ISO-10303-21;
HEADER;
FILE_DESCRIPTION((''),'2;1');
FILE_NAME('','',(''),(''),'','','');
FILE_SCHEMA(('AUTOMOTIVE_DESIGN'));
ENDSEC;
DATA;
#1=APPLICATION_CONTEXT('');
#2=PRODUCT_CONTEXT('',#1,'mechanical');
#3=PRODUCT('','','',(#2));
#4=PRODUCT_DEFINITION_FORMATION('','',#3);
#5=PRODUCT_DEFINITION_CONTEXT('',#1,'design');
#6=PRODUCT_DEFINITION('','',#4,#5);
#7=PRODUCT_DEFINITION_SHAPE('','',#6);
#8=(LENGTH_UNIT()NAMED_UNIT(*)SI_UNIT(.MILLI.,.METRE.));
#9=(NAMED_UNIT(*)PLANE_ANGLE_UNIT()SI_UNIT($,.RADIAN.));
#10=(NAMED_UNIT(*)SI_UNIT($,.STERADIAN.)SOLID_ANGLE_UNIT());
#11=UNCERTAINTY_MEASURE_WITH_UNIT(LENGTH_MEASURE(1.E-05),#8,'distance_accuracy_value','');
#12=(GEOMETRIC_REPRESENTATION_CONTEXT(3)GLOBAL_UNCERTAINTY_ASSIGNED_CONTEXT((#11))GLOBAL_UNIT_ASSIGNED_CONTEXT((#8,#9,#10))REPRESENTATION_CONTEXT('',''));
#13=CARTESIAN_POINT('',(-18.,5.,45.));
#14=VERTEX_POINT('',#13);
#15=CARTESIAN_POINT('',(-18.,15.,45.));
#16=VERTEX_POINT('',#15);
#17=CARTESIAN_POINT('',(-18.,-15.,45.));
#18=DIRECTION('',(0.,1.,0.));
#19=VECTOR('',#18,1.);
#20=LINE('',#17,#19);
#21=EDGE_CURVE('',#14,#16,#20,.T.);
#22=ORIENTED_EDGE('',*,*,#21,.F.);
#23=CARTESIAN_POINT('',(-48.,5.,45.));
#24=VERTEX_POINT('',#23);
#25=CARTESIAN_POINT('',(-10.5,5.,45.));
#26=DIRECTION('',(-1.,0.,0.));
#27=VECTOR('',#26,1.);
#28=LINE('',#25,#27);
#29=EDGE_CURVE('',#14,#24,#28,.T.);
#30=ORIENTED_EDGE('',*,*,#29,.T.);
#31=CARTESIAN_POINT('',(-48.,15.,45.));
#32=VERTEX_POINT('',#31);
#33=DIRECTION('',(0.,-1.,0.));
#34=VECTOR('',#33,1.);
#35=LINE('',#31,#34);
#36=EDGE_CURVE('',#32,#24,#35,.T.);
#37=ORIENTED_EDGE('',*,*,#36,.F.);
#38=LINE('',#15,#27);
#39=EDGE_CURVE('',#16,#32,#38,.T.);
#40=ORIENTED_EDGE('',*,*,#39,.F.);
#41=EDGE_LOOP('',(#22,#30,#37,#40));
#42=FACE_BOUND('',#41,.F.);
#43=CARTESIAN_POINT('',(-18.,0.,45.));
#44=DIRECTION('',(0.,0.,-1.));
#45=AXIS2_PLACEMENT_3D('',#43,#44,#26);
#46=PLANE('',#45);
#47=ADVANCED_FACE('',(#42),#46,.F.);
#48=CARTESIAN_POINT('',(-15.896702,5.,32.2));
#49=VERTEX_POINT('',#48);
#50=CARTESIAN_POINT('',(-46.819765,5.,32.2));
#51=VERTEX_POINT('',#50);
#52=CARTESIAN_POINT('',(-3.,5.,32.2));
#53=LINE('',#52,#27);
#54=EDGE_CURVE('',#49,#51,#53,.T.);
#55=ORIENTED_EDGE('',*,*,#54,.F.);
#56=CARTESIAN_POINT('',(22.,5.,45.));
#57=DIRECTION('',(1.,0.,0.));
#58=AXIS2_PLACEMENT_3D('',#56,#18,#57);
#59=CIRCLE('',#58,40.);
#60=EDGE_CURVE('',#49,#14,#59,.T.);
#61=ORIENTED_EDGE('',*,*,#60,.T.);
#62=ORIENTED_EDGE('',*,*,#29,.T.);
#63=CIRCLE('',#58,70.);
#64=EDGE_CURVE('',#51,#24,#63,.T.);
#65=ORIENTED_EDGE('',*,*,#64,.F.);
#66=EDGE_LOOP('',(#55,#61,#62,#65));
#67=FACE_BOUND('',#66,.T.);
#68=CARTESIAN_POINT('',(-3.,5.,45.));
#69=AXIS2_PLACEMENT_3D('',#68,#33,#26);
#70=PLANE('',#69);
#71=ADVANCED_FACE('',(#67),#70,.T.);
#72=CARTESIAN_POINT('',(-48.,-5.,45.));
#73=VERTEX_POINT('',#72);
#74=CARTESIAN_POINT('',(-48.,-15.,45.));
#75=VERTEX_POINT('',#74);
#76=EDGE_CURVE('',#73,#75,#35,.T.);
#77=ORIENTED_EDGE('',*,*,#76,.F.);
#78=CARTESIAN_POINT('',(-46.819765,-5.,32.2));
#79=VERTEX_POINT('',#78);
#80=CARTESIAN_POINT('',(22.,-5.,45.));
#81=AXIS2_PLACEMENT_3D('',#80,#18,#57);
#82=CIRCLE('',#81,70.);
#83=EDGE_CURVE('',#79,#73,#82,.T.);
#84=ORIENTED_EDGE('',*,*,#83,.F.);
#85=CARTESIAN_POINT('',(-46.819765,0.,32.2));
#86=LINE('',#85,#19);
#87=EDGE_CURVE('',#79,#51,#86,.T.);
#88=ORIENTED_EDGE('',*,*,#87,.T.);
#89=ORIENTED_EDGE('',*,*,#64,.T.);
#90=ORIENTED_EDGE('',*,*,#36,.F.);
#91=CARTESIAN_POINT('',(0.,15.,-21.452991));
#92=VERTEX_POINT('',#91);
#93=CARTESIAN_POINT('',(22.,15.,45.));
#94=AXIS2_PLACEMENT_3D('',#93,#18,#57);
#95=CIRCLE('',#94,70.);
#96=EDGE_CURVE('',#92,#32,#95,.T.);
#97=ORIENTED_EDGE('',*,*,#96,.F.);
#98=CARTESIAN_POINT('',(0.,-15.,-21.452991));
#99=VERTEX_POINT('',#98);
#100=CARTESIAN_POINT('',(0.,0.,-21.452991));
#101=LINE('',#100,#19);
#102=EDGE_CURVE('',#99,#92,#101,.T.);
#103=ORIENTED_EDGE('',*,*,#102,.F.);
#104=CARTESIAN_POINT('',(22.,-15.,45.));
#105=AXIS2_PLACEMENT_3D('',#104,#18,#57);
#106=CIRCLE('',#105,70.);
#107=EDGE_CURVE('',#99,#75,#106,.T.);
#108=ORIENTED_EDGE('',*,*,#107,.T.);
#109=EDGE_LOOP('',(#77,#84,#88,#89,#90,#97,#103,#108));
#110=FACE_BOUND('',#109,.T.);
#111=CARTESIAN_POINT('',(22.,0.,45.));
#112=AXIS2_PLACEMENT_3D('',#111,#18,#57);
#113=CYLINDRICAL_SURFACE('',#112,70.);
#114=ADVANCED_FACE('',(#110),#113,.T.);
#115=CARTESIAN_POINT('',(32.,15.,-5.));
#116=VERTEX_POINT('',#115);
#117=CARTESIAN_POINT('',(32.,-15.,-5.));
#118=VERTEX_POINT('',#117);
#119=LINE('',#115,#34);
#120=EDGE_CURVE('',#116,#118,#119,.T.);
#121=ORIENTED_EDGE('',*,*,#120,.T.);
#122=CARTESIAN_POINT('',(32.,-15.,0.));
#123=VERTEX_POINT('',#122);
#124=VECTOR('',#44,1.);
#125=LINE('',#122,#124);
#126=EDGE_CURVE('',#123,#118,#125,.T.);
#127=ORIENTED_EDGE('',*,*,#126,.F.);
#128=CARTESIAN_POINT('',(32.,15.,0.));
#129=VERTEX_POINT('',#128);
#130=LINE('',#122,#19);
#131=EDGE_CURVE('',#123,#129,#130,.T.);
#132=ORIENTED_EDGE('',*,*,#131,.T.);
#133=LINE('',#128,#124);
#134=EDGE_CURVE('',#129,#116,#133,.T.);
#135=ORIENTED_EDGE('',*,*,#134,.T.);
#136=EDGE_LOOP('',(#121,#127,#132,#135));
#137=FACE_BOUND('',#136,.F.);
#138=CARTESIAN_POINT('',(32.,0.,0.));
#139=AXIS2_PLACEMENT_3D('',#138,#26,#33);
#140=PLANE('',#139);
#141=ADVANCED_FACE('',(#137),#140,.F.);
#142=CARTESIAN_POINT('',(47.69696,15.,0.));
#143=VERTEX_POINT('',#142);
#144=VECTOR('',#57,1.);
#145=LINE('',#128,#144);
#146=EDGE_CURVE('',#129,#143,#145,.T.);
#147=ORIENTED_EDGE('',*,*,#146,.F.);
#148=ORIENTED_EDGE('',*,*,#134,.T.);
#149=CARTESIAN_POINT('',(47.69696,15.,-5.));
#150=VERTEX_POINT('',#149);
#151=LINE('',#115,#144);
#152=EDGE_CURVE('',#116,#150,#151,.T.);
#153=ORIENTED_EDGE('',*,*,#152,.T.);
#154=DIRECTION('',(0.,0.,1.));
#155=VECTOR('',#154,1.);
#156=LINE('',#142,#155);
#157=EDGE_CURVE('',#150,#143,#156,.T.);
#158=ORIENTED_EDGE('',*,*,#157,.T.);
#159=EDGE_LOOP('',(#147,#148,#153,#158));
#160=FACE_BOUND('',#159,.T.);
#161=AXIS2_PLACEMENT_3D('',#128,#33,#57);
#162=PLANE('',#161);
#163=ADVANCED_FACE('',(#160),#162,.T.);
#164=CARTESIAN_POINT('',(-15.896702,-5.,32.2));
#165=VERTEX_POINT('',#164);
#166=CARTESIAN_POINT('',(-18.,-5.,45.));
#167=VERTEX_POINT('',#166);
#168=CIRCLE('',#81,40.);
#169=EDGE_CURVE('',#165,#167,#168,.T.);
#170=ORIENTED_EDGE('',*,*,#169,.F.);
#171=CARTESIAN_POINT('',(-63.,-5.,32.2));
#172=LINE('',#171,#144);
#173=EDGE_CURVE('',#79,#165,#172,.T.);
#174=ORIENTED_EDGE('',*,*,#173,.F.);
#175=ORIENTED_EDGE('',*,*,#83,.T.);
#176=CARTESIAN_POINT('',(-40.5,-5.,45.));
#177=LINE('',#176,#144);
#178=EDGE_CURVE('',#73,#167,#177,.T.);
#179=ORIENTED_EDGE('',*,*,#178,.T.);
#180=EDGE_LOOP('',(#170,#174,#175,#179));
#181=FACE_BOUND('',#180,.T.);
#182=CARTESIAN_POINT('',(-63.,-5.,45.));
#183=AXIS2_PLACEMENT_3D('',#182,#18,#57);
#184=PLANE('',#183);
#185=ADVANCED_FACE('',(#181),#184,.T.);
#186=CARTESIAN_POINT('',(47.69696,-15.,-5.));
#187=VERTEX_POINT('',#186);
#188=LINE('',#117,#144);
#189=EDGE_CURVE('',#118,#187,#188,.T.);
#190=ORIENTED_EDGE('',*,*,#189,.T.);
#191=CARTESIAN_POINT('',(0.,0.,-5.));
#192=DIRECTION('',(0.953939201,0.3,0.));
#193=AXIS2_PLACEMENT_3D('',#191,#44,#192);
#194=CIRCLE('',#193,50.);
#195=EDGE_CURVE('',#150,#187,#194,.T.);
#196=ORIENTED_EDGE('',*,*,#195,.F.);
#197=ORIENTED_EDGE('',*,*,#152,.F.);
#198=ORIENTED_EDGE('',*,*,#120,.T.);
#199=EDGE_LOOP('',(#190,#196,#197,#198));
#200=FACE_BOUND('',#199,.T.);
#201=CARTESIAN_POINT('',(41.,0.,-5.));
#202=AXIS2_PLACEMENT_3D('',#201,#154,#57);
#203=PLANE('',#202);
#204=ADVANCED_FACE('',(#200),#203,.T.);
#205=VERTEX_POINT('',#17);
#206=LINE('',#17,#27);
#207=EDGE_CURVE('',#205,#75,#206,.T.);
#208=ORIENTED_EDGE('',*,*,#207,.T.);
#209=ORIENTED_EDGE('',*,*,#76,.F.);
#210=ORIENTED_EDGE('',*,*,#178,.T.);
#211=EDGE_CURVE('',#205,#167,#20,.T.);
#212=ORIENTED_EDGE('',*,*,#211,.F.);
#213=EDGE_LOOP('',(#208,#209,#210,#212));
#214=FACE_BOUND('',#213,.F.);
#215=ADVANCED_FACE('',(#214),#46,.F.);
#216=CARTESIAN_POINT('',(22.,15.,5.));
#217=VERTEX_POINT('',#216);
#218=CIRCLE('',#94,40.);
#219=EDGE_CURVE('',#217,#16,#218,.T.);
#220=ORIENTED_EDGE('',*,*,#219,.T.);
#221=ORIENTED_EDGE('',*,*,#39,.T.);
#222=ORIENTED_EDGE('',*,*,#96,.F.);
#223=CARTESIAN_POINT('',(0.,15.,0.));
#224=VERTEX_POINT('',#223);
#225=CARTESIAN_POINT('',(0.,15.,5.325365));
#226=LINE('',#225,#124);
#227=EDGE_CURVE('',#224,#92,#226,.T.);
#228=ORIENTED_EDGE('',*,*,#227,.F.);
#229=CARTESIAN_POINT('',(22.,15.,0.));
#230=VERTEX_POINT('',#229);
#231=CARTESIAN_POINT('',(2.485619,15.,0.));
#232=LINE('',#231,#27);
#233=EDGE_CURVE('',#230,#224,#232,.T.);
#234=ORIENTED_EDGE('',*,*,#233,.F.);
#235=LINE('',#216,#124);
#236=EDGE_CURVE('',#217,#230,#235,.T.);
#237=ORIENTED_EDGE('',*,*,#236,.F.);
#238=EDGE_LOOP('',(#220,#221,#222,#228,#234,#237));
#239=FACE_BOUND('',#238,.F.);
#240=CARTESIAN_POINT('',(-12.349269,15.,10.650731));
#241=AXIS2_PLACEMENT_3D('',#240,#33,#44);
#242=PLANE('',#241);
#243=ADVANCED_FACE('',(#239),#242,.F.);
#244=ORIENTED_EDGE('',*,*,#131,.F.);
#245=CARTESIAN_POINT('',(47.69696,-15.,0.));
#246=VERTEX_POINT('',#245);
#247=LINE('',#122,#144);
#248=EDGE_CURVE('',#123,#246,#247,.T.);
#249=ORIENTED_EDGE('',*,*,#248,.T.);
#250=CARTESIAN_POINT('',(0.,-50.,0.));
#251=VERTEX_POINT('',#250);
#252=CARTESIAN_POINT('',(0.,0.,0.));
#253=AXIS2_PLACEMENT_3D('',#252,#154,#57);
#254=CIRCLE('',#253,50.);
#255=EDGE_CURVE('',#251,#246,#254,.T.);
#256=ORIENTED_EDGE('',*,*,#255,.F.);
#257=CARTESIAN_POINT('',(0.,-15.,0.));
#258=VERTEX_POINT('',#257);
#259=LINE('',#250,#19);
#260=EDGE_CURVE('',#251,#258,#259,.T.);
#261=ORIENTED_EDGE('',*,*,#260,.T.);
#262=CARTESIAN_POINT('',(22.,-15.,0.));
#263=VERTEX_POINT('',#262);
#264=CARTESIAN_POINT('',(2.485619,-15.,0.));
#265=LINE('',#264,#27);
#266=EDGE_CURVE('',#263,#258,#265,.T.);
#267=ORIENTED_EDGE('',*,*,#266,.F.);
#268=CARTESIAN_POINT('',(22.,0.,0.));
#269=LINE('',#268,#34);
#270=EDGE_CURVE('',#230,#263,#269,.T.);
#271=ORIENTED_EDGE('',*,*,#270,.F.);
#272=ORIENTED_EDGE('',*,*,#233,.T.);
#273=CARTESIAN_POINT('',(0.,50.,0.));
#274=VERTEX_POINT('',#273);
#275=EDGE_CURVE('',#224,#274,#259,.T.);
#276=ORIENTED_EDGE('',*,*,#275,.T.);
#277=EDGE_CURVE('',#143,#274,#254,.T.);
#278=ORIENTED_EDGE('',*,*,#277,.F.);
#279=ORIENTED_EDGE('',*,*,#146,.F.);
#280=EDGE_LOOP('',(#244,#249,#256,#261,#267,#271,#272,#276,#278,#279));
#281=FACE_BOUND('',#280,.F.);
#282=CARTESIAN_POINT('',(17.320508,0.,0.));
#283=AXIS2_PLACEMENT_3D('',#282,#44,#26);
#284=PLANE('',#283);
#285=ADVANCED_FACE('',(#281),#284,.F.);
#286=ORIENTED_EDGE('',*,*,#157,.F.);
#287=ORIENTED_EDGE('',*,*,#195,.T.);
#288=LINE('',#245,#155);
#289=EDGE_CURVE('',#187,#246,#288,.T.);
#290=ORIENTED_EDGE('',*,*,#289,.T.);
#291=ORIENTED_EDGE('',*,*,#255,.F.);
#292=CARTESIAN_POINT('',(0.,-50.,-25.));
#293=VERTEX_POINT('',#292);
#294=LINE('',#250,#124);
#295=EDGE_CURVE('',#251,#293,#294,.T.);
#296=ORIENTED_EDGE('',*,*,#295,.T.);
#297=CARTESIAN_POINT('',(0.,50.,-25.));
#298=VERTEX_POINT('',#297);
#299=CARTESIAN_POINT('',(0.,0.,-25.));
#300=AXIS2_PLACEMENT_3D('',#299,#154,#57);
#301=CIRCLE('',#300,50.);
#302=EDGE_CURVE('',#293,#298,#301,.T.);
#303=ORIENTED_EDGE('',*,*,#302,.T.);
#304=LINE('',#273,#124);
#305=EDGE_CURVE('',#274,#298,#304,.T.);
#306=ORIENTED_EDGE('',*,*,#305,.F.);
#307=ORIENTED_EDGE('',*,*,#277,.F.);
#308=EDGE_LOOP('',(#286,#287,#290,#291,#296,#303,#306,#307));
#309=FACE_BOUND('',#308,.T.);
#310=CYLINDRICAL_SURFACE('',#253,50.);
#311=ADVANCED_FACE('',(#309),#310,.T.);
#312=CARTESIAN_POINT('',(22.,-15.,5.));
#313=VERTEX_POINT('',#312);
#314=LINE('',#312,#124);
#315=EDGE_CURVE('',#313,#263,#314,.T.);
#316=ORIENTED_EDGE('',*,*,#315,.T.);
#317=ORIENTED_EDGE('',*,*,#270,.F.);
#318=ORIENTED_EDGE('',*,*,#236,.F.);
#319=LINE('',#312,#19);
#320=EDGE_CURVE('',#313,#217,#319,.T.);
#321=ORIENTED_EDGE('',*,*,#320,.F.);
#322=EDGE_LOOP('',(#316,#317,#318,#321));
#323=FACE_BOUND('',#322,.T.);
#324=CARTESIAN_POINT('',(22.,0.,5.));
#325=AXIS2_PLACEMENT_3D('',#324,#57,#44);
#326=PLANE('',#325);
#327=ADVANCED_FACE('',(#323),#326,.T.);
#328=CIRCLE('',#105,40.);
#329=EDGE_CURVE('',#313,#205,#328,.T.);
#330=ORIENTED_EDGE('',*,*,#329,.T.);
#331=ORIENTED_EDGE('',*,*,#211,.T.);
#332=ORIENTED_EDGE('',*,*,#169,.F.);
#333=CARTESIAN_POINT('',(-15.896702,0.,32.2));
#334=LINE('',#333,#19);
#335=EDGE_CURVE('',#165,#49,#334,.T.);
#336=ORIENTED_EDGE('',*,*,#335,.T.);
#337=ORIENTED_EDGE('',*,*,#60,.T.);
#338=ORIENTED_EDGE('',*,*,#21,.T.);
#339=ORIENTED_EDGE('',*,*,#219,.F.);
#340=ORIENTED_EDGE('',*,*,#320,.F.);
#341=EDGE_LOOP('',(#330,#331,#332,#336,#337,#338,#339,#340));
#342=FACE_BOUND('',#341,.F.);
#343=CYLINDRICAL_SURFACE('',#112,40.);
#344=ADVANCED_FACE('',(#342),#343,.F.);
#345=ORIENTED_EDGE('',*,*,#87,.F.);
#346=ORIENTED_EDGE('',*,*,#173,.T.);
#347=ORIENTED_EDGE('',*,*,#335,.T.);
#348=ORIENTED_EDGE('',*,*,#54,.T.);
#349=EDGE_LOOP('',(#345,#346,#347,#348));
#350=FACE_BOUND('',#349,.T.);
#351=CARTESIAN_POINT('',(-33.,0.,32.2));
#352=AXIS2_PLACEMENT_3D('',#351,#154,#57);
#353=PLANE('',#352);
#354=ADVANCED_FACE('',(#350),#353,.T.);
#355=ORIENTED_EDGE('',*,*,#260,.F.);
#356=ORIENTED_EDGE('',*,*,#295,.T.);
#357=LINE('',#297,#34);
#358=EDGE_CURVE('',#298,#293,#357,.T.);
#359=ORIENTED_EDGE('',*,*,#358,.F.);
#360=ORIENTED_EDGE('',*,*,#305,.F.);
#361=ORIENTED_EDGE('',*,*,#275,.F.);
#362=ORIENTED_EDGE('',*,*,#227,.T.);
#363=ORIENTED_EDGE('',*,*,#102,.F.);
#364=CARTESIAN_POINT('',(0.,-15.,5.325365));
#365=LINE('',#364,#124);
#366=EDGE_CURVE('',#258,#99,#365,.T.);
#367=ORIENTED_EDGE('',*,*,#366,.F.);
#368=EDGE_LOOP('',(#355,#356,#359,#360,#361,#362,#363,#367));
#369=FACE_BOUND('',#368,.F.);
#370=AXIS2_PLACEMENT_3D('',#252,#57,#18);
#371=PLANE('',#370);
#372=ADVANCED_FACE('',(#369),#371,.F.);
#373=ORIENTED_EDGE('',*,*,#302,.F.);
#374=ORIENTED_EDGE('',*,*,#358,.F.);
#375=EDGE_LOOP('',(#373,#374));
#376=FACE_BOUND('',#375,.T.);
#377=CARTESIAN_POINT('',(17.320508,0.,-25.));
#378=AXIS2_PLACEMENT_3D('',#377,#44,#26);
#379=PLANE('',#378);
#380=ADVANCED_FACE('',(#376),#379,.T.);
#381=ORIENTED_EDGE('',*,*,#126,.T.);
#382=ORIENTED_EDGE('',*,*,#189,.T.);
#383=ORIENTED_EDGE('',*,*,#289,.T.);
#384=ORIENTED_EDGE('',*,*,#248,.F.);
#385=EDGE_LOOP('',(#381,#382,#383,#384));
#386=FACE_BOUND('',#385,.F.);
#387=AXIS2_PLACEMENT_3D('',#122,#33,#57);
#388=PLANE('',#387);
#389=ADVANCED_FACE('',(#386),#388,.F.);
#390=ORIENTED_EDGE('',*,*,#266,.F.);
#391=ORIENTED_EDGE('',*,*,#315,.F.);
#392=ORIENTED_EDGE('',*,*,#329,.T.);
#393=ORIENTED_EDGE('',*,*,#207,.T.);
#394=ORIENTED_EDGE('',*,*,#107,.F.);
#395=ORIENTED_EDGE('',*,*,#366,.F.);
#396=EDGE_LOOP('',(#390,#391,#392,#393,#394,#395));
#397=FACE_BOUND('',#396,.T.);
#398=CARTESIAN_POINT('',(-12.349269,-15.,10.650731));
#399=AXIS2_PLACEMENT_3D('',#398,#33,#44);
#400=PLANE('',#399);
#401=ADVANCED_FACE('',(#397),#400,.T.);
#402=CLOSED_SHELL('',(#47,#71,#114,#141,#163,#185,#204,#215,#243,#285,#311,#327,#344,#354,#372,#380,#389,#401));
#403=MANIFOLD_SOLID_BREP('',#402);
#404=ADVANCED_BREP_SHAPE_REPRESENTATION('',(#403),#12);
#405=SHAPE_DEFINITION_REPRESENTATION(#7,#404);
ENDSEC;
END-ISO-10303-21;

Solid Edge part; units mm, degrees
sketch "Sketch1" plane through (0, 0, 0) normal (0, 0, 1) x (1, 0, 0)
  line L0 (0, 0) -> (0, 50)
  arc A0 (0, -50) -> (0, 50) centre (0, 0) ccw
  line L1 (0, 0) -> (0, -50)
extrude "Protrusion1" add sketch "Sketch1" against normal blind 25
sketch "Sketch2" plane through (25, 0, 0) normal (0, 0, 1) x (0, 1, 0)
  line L0 (-15, -7) -> (-15, -25)
  line L1 (-15, -25) -> (15, -25)
  line L2 (15, -7) -> (15, -25)
  line L3 (0, -7) -> (15, -7)
  line L4 (0, -7) -> (-15, -7)
extrude "ExtrudedCutout_1" cut sketch "Sketch2" against normal blind 5
sketch "Sketch3" plane through (0, 0, 0) normal (0, -1, 0) x (1, 0, 0)
  line L0 (-18, 45) -> (-48, 45)
  line L1 (22, 5) -> (22, -25)
  arc A0 (22, -25) -> (-48, 45) centre (22, 45) cw
  arc A1 (22, 5) -> (-18, 45) centre (22, 45) cw
extrude "ExtrudedProtrusion_3" add sketch "Sketch3" along normal mid plane 30
sketch "Sketch4" plane through (-33, 0, 45) normal (0, 0, 1) x (0, 1, 0)
  line L0 (5, -30) -> (5, 30)
  line L1 (5, 30) -> (-5, 30)
  line L2 (-5, 30) -> (-5, -30)
  line L3 (-5, -30) -> (5, -30)
extrude "ExtrudedCutout_2" cut sketch "Sketch4" along normal mid plane 25.6
